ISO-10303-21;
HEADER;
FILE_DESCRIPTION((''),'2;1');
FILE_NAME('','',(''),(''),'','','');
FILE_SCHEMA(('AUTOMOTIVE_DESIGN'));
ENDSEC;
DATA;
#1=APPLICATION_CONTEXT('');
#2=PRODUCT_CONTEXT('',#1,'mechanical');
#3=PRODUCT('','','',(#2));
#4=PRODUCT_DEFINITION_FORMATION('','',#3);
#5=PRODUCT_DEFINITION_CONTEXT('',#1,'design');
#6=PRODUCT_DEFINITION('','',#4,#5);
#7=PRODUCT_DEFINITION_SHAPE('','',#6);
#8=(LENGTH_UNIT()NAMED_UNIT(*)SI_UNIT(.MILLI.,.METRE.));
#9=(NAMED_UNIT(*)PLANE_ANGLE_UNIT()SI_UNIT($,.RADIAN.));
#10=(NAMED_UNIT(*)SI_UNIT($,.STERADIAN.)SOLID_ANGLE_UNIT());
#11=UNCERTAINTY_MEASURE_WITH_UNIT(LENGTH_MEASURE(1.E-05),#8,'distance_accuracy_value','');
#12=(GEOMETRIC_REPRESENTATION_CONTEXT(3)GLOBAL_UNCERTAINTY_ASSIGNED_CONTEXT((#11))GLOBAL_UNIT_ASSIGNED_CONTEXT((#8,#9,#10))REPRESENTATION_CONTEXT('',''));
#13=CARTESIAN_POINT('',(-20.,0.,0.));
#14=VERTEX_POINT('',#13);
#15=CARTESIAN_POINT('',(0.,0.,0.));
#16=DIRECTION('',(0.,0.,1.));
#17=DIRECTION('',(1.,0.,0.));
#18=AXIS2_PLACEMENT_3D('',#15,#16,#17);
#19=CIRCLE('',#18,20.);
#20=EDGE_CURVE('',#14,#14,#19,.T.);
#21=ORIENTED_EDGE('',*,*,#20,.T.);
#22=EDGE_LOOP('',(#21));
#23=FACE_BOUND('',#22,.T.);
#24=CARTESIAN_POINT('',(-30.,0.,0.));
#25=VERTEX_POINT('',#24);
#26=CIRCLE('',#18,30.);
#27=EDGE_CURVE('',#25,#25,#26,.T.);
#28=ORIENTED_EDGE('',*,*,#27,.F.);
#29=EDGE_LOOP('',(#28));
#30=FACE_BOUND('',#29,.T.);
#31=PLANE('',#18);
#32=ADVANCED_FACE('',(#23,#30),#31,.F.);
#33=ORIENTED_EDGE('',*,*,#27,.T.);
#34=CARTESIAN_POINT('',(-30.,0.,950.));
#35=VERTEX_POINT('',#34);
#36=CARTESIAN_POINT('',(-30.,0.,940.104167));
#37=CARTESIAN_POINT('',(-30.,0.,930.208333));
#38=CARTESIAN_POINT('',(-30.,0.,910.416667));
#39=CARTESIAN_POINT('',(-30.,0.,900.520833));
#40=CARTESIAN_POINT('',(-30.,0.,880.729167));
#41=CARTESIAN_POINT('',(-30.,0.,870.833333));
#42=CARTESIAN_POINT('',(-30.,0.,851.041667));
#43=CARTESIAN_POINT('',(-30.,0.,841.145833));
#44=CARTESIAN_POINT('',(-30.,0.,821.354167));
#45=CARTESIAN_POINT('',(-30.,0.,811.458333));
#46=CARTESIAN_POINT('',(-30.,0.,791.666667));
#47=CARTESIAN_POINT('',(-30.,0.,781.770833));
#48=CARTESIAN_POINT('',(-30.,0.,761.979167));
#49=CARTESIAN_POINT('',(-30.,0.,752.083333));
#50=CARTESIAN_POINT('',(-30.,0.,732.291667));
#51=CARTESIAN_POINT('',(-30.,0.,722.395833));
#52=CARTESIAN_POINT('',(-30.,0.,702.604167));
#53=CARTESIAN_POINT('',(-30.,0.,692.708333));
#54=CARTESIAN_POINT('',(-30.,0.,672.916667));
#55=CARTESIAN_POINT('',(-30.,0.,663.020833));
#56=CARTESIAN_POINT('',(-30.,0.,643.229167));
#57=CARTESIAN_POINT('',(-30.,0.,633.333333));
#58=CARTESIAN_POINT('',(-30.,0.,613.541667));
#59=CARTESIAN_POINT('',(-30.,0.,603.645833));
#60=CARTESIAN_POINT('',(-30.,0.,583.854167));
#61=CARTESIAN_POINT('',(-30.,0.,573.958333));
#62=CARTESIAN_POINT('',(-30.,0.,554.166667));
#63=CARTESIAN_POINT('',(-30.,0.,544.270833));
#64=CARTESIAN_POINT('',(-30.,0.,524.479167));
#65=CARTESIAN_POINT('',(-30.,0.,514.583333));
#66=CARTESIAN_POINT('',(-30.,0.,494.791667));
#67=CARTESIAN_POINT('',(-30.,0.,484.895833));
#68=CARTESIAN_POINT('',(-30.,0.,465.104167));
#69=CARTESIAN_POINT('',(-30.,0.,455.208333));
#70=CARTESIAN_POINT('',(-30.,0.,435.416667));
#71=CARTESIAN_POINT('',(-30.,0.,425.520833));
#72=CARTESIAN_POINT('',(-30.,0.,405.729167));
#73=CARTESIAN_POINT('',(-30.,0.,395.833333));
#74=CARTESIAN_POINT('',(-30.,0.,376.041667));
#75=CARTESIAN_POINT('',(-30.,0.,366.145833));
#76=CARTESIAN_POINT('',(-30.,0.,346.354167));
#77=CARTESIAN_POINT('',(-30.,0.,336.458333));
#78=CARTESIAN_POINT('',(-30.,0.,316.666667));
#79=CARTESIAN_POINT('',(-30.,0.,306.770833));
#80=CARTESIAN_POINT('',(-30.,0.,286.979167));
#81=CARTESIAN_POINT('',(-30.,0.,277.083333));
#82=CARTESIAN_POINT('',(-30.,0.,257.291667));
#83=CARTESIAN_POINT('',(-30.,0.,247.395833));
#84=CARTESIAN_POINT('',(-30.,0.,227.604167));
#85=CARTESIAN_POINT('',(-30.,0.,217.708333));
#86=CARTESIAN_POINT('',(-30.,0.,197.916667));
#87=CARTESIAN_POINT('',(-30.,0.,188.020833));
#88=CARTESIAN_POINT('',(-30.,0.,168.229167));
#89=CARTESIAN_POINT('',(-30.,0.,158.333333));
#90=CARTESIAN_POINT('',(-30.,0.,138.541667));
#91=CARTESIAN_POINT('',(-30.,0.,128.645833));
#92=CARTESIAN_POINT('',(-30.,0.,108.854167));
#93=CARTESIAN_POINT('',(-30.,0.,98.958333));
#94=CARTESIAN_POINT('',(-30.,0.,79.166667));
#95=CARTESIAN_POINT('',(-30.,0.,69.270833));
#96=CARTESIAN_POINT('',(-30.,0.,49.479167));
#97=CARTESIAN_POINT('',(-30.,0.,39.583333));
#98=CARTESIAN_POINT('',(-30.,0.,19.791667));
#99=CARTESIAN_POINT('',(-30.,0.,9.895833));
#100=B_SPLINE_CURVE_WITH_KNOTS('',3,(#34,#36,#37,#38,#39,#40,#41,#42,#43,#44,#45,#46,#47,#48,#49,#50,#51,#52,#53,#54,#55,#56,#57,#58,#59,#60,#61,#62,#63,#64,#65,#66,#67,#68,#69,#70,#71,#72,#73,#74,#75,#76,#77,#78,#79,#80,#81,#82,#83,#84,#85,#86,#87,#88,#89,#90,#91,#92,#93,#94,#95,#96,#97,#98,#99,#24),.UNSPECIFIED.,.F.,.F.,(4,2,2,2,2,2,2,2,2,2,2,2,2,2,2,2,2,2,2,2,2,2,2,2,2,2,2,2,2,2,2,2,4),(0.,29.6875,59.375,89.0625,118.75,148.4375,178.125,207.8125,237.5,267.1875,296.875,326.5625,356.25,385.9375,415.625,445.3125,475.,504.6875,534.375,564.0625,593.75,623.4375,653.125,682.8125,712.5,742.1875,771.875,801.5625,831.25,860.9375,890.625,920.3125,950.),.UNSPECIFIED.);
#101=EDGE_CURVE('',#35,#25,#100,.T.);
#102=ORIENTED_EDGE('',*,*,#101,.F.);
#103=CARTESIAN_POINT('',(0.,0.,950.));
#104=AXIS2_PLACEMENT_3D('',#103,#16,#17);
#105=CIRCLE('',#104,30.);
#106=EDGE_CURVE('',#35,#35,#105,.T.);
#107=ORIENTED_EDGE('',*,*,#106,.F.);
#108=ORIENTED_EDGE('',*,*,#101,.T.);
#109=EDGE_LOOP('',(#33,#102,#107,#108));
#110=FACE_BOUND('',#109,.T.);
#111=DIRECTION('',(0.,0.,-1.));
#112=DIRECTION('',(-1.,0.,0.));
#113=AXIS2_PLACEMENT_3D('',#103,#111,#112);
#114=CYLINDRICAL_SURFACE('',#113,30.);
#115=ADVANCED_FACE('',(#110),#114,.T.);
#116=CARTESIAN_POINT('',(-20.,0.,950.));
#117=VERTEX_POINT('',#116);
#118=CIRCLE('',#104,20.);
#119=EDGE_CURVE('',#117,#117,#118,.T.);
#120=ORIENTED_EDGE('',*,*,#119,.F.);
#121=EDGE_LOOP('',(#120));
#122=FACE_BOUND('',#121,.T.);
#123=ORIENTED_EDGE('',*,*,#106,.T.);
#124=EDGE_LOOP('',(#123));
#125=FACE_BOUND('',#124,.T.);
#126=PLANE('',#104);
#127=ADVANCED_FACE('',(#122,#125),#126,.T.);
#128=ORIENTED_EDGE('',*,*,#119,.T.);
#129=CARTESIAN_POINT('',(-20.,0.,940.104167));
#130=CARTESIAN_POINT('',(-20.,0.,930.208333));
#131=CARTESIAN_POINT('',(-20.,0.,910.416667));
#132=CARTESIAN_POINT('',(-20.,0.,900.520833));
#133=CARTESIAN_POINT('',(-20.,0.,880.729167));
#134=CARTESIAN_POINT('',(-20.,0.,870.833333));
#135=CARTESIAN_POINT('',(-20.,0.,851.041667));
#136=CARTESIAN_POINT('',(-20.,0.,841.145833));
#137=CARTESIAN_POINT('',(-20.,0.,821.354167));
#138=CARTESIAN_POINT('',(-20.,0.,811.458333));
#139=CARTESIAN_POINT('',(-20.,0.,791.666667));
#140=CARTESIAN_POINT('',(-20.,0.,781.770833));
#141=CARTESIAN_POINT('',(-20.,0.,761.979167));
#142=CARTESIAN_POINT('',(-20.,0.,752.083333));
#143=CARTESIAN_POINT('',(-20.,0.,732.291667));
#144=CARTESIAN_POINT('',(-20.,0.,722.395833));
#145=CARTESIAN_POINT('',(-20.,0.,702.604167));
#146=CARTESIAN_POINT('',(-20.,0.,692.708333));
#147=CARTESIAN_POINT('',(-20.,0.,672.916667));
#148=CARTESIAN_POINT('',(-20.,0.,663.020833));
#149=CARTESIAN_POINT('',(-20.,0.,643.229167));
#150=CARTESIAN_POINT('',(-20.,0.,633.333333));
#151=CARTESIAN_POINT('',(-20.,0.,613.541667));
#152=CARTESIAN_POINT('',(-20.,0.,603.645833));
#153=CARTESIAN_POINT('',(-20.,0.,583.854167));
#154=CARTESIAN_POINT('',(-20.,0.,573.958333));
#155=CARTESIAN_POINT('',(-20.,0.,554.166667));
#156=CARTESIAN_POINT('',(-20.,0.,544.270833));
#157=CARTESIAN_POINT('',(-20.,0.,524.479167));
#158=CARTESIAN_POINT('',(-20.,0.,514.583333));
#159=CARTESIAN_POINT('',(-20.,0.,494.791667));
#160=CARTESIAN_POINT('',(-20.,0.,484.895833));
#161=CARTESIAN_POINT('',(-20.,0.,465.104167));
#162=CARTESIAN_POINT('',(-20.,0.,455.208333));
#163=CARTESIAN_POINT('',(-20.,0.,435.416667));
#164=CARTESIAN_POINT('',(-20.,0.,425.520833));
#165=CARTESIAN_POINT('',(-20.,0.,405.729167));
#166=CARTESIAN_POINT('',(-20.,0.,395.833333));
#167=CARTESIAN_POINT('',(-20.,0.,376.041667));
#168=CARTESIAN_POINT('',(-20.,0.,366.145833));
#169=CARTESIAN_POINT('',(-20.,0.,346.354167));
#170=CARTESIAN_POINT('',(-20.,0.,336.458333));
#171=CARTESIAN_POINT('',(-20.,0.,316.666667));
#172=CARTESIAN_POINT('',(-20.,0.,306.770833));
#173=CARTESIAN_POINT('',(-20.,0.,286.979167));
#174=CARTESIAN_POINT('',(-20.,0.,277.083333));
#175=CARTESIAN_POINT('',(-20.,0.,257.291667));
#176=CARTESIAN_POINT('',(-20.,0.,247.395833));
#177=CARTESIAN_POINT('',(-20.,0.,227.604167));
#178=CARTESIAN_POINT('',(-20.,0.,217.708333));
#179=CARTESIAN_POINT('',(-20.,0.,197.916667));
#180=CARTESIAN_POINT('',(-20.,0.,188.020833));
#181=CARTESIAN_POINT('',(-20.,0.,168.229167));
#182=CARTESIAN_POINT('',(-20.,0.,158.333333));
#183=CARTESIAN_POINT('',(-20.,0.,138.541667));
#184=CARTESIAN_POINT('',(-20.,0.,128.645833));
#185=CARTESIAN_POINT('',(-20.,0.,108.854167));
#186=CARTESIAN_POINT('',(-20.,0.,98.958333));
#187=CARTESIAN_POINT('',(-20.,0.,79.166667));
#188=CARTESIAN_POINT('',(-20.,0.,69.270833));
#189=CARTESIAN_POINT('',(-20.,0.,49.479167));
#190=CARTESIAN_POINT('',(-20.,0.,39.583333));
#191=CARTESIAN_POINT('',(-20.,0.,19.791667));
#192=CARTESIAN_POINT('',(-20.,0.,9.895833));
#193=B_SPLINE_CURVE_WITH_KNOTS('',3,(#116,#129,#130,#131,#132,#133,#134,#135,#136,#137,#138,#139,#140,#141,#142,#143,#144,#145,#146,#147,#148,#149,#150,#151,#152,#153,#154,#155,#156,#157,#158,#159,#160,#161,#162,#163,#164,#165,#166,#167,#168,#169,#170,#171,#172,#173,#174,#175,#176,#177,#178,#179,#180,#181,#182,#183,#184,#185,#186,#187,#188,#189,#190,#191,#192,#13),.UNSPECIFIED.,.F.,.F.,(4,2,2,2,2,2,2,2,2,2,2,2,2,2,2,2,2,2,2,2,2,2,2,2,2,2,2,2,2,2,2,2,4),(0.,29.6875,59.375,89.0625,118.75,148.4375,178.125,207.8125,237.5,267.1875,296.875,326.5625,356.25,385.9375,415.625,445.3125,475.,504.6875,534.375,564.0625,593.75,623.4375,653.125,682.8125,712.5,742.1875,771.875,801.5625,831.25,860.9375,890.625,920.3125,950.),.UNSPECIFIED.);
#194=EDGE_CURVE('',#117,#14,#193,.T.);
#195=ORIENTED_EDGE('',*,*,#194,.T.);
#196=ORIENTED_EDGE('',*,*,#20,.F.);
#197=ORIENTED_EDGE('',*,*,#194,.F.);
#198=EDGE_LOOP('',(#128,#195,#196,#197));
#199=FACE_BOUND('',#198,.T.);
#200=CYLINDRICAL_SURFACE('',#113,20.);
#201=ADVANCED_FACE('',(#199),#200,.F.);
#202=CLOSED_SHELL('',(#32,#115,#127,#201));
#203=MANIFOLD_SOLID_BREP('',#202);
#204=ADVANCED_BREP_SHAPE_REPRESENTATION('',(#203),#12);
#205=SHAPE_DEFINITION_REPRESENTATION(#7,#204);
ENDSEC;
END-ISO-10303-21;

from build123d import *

# Parameters (mm, degrees)
POLE_CROSS_SECTION_SKETCH_R   = 30
POLE_CROSS_SECTION_SKETCH_R_2 = 20
PIPE_EXTRUDE_DEPTH            = 950


with BuildPart() as part:
    # Pole Cross Section Sketch → Pipe Extrude (new body)
    with BuildSketch(Plane.XY):
        with Locations(Location((0, 0, 0), (0, 0, 180))):
            Circle(POLE_CROSS_SECTION_SKETCH_R)
        with Locations(Location((0, 0, 0), (0, 0, 180))):
            Circle(POLE_CROSS_SECTION_SKETCH_R_2, mode=Mode.SUBTRACT)
    extrude(amount=PIPE_EXTRUDE_DEPTH)


solid = part.part
